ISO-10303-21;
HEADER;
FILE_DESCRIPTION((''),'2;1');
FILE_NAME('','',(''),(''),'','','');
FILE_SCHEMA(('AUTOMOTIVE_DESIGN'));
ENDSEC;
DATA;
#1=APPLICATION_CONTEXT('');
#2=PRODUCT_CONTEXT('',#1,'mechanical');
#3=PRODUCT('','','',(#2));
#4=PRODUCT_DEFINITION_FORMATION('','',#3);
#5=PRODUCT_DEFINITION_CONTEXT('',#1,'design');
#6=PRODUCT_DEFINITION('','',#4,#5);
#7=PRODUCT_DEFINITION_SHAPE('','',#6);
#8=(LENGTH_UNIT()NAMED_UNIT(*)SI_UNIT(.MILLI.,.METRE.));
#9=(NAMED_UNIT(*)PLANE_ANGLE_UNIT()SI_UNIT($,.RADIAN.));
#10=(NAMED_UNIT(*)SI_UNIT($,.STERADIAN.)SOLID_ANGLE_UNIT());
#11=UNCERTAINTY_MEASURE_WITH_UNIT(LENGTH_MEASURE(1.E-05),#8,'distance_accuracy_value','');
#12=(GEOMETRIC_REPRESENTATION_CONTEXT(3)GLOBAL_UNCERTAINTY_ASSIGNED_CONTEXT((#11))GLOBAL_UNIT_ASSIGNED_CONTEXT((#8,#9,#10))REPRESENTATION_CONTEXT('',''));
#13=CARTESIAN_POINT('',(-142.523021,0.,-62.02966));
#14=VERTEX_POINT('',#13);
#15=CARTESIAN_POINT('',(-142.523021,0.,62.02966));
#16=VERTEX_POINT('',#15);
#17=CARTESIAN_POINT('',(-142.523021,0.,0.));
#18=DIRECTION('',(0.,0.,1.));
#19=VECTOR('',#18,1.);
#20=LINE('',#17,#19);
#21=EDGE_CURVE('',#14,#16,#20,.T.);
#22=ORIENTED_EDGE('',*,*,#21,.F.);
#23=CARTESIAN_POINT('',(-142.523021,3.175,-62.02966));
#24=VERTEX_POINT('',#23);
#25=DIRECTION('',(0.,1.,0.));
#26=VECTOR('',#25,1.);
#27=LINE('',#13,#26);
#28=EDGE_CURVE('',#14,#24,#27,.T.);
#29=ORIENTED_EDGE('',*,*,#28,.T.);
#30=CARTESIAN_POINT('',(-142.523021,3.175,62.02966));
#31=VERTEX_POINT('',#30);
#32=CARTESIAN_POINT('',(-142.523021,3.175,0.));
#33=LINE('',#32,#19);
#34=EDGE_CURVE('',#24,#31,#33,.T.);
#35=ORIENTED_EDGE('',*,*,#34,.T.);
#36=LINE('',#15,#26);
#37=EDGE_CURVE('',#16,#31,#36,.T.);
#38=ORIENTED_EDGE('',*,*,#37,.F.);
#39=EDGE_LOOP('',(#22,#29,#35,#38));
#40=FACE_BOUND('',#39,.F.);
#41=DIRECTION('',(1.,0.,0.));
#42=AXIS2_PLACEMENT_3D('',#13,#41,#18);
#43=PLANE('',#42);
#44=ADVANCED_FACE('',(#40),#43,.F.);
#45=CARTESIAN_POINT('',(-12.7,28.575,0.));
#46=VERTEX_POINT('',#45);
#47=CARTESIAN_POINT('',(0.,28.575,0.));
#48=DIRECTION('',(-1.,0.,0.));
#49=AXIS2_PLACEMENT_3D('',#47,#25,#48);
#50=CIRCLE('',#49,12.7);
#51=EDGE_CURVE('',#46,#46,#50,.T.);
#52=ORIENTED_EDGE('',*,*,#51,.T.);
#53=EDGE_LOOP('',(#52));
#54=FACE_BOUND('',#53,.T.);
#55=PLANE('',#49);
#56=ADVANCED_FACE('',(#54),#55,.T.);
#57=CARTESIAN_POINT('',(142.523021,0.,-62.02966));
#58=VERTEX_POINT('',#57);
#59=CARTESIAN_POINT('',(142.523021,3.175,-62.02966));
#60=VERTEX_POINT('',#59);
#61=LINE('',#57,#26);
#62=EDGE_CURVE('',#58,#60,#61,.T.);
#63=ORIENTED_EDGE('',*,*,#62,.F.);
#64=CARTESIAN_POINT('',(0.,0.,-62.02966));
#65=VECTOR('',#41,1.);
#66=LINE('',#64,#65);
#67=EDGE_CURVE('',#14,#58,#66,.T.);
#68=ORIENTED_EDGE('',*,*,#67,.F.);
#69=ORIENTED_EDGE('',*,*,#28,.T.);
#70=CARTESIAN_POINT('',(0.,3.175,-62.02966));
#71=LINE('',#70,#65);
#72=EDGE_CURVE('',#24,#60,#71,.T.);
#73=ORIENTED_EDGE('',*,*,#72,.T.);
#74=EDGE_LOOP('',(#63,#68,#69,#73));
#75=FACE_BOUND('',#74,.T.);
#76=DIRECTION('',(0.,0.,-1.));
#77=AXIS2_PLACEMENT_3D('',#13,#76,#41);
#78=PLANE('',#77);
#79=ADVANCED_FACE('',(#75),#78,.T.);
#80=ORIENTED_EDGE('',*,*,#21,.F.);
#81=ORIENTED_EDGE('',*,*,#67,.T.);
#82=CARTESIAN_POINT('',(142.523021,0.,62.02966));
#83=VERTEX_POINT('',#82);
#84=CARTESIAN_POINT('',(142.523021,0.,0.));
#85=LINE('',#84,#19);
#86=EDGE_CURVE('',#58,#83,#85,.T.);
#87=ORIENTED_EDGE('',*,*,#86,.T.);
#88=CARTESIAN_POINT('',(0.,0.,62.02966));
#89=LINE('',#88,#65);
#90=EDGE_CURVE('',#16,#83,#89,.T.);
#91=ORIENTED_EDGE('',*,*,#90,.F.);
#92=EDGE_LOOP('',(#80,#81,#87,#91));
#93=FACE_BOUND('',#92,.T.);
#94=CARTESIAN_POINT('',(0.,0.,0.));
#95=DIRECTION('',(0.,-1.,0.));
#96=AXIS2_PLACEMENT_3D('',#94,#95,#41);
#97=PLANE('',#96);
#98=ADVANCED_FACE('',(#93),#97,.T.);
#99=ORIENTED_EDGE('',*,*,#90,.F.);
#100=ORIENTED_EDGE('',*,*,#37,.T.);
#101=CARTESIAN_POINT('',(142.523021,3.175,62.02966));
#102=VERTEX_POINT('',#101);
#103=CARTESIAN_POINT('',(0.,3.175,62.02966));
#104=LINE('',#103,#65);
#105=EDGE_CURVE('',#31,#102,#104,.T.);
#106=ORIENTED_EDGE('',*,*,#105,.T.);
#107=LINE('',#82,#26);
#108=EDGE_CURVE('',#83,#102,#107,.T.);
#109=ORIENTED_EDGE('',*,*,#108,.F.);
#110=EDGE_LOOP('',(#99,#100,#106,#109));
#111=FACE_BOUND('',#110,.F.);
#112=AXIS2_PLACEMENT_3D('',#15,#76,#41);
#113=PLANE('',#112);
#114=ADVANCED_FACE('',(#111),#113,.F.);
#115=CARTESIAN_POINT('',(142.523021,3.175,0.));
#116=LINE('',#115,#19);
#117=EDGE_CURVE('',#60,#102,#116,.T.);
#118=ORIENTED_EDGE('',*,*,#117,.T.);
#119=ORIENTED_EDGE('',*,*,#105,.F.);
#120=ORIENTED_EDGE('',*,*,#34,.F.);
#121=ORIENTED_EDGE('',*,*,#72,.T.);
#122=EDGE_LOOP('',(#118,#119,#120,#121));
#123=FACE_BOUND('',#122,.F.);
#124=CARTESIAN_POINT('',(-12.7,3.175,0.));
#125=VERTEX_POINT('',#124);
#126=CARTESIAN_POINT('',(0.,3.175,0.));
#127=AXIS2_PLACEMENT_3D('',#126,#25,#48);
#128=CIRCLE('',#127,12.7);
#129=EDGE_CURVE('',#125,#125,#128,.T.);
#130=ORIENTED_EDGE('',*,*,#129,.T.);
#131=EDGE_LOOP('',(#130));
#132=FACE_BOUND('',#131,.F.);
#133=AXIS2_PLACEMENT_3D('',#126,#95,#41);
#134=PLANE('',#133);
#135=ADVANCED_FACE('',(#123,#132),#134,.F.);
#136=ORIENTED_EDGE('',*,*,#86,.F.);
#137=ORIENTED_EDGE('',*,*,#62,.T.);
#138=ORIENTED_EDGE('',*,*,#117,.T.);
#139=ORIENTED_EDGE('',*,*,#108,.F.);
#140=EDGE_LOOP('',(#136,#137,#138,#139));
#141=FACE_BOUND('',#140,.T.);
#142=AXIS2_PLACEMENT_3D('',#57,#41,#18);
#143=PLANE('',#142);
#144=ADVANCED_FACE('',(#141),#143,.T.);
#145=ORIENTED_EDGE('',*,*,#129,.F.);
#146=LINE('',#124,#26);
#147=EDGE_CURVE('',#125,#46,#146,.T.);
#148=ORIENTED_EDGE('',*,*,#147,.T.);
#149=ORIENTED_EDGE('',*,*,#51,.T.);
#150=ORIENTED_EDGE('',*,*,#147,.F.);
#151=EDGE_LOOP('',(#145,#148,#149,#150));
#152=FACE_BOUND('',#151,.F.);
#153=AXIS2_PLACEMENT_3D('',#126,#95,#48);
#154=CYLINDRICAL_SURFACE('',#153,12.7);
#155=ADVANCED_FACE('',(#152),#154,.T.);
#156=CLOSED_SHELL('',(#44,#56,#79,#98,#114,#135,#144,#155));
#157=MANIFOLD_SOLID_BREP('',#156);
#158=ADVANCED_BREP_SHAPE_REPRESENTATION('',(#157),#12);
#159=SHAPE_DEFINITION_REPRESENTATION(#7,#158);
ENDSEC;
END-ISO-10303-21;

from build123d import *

# Parameters (mm, degrees)
F0_W     = 285.046042
F0_H     = 124.05932
F1_DEPTH = 3.175
F2_R     = 12.7
F3_DEPTH = 25.4


with BuildPart() as f1:
    # F0 (on Front) → F1 (new body)
    with BuildSketch(Plane.XZ):
        Rectangle(F0_W, F0_H)
    extrude(amount=-F1_DEPTH)

    # F2 (on face) → F3 (join)
    with BuildSketch(Plane(origin=(0, 3.175, 0), x_dir=(-1, 0, 0), z_dir=(0, 1, 0))):
        Circle(F2_R)
    extrude(amount=F3_DEPTH)


solid = f1.part
